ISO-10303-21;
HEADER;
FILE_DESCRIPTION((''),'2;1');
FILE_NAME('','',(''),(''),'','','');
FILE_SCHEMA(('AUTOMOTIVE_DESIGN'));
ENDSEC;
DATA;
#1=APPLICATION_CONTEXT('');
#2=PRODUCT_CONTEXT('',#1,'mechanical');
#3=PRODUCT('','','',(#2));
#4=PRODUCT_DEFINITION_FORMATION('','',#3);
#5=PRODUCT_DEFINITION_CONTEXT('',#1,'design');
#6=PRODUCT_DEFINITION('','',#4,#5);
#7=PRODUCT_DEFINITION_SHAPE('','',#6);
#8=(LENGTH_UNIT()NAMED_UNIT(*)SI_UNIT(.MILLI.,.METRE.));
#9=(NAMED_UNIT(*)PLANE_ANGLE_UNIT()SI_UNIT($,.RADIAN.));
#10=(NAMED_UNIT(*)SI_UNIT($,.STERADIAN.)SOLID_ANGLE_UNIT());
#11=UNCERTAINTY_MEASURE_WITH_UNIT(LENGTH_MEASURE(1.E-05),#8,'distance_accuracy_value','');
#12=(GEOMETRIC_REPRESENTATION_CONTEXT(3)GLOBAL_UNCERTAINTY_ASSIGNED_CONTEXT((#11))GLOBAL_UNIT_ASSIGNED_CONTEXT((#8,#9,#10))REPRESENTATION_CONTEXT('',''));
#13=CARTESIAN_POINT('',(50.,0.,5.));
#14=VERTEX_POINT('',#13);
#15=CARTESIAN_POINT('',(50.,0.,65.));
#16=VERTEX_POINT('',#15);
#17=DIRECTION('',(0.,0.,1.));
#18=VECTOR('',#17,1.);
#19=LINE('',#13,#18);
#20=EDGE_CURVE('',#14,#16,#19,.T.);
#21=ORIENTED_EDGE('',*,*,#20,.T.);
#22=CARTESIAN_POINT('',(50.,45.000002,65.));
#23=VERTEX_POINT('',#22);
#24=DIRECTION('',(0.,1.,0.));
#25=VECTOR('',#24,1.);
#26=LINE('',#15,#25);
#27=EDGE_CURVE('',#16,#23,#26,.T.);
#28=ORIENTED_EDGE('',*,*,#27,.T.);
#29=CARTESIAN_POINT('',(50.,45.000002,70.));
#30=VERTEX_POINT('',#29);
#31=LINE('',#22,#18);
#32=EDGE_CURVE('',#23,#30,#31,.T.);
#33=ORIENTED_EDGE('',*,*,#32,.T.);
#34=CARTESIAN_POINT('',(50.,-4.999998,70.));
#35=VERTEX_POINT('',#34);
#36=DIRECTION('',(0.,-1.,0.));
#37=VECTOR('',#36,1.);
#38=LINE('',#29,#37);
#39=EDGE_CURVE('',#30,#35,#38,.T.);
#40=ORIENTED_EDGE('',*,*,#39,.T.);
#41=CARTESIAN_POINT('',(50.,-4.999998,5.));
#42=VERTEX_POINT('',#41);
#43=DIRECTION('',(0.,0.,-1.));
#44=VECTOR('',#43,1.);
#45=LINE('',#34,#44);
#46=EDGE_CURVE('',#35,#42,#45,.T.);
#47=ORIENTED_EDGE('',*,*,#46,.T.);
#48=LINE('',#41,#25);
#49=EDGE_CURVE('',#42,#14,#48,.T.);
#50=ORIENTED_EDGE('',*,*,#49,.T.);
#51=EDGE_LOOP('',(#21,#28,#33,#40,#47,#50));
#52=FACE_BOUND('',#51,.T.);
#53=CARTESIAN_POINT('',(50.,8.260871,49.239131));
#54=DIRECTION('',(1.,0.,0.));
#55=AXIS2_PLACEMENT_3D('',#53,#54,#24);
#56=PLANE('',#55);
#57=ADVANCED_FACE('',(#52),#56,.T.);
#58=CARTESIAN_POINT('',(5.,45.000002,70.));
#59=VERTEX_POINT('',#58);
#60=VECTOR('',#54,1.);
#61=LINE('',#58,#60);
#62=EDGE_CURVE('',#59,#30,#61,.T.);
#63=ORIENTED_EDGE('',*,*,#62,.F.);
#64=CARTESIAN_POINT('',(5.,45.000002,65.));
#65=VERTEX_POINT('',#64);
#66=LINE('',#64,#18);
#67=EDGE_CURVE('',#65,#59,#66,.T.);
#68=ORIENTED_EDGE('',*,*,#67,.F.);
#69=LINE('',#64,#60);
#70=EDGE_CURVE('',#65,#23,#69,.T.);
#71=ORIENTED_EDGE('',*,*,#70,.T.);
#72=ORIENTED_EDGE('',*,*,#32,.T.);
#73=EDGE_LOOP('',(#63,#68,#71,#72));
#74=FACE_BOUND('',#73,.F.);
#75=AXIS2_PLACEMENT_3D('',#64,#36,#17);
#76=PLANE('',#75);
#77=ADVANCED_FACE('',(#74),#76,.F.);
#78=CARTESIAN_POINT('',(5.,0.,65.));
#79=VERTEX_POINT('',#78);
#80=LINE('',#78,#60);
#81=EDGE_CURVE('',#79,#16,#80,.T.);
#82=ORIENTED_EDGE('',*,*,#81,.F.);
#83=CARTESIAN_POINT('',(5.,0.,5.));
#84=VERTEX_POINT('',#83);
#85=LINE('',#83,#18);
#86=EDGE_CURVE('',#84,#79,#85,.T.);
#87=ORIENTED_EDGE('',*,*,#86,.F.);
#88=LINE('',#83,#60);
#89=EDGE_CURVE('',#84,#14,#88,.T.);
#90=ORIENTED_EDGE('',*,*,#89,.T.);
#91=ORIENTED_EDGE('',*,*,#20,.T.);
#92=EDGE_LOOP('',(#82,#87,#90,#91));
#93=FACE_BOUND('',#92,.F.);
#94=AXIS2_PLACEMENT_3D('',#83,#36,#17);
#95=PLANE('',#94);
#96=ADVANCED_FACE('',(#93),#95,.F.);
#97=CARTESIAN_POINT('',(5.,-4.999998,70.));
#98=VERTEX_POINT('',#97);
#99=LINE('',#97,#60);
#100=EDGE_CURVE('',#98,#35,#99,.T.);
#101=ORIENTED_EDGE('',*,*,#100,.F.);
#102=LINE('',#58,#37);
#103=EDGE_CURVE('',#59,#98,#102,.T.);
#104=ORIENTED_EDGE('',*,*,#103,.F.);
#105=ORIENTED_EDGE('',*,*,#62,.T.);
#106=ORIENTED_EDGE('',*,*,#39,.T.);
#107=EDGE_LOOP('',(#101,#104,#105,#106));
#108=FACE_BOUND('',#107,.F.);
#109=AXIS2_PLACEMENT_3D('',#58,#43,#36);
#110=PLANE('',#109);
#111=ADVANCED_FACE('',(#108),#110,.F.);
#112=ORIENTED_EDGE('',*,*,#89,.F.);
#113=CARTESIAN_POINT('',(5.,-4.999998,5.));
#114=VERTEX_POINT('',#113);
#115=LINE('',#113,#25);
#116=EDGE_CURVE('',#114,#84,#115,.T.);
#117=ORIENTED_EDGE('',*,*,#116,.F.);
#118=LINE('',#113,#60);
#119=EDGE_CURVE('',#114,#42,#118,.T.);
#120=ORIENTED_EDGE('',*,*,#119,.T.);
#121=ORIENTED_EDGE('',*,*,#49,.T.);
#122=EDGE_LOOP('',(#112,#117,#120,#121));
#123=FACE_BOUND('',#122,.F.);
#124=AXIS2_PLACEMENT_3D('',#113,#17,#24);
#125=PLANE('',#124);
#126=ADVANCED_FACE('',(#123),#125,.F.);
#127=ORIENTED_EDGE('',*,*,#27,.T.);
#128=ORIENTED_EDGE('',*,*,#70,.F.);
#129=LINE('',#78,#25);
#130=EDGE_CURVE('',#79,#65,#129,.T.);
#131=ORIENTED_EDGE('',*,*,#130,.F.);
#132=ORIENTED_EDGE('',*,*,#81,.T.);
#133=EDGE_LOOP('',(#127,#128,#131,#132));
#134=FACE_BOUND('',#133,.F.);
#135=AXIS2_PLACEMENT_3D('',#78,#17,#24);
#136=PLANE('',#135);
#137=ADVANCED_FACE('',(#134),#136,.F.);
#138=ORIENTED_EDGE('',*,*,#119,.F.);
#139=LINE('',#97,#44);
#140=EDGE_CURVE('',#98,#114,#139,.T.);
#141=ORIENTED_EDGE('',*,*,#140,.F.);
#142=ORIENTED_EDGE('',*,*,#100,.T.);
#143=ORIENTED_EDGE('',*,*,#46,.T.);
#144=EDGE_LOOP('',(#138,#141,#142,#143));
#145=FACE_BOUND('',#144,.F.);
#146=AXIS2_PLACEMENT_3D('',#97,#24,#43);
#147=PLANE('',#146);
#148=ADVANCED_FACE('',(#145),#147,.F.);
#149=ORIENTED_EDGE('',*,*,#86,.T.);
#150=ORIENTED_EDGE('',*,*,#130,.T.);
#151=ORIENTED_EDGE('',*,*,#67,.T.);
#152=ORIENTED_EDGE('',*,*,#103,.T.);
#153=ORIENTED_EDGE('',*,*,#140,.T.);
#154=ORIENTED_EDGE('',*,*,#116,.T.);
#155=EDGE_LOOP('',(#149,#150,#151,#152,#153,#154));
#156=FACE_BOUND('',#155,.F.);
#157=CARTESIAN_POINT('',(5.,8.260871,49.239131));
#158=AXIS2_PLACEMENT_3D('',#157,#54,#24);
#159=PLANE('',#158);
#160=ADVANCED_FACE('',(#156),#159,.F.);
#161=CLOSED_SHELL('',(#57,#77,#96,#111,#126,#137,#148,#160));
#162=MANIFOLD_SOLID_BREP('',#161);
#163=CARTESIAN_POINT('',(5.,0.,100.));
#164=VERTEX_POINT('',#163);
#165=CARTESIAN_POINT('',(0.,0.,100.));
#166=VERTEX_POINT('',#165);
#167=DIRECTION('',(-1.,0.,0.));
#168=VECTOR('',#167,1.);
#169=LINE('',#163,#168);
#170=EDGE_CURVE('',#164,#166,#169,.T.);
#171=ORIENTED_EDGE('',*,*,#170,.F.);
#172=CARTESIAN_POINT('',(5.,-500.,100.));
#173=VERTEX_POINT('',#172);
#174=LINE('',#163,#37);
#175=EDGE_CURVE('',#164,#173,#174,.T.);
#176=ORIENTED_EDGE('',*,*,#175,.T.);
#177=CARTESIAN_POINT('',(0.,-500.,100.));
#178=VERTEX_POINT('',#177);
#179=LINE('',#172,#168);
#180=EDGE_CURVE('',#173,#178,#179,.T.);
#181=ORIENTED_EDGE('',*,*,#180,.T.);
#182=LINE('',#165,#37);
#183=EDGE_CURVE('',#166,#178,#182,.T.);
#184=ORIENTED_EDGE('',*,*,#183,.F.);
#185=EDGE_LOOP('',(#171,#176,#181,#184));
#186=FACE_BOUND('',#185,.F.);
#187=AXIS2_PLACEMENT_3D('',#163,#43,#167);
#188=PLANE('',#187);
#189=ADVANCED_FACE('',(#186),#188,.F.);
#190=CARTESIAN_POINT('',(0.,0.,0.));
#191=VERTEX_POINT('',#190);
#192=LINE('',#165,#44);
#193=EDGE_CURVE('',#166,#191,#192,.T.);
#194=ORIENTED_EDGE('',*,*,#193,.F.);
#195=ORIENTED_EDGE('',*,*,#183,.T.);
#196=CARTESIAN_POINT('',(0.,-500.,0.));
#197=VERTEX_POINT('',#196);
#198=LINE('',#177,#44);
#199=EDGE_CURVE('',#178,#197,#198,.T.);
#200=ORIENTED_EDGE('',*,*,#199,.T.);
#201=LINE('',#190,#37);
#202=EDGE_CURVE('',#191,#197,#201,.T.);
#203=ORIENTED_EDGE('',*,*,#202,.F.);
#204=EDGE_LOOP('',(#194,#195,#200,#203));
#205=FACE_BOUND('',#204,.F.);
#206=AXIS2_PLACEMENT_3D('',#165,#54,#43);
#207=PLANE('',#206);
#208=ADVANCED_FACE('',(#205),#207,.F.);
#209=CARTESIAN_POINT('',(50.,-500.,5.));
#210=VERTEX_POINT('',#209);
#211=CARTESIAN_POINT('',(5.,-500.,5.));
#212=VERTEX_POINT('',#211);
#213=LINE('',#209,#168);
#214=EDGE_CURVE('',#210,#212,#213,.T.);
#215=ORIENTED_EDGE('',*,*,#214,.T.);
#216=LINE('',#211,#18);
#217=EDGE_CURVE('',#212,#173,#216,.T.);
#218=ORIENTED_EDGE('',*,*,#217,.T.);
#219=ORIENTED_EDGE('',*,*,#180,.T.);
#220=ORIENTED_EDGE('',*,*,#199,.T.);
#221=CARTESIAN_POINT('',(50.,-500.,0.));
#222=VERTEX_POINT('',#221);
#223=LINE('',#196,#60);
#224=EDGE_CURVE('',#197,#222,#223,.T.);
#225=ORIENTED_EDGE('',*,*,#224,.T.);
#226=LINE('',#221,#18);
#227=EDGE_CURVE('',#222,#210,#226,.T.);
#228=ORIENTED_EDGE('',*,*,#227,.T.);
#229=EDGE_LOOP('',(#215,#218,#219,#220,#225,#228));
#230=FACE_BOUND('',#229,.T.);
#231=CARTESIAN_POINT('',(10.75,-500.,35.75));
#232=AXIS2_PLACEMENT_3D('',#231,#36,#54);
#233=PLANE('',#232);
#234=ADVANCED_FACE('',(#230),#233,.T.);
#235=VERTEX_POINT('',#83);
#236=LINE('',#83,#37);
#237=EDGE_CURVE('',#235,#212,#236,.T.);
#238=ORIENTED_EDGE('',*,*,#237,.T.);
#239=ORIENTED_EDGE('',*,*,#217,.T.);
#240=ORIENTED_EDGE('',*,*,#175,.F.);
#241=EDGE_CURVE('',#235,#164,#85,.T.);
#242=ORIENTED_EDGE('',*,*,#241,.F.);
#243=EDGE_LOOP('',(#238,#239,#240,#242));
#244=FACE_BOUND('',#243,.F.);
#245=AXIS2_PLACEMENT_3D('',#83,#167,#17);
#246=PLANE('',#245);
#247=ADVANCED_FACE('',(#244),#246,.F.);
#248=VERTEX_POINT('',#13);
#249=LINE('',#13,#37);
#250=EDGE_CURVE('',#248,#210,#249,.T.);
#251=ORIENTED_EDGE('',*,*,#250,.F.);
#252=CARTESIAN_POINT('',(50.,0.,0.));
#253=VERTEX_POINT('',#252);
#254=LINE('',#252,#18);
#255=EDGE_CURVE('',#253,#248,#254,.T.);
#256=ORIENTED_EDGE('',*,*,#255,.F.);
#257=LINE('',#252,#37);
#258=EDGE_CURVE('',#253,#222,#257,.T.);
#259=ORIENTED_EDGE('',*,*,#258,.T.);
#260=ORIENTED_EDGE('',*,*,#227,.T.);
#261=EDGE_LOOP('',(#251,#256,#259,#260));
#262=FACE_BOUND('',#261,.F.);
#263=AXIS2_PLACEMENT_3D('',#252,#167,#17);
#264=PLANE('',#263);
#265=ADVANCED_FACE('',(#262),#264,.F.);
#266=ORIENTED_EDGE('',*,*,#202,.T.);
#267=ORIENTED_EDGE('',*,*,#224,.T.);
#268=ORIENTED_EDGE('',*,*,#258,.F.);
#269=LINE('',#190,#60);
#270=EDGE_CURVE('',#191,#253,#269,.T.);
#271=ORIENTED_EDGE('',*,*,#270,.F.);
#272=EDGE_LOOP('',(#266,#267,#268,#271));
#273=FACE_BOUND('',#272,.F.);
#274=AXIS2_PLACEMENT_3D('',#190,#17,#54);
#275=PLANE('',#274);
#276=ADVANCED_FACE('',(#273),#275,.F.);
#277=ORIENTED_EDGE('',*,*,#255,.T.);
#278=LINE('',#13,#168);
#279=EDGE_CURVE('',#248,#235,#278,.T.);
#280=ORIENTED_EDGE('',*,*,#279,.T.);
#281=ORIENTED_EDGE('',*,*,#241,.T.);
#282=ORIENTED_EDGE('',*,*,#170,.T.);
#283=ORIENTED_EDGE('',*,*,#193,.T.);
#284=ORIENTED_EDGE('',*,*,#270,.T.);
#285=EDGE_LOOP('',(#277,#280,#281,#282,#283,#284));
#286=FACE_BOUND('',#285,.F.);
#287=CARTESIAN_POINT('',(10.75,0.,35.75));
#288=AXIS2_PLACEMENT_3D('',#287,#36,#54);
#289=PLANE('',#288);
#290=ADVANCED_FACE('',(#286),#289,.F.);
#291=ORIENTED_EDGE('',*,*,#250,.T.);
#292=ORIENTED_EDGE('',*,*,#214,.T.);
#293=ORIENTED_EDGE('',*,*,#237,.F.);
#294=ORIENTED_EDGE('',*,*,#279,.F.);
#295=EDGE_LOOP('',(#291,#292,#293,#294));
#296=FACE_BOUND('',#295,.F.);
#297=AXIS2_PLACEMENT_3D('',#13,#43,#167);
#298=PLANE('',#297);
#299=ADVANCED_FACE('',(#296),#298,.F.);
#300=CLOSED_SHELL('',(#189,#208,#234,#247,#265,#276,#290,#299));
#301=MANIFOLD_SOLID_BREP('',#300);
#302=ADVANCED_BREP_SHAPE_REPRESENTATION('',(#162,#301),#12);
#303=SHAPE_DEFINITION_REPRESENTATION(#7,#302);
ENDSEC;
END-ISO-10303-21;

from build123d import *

# Parameters (mm, degrees)
F1_DEPTH = 500
F3_DEPTH = 45


with BuildPart() as f1:
    # F0 (on Front) → F1 (new body)
    with BuildSketch(Plane.XZ):
        Polygon((0, 100), (0, 0), (50, 0), (50, 4.9999998882), (5, 4.9999998882), (5, 100), align=None)
    extrude(amount=F1_DEPTH)


with BuildPart() as f3:
    # F2 (on Right) → F3 (new body)
    with BuildSketch(Plane.YZ):
        Polygon((-4.9999982119, 70), (-4.9999982119, 4.9999998882), (0, 4.9999998882), (0, 65), (45.0000017881, 65), (45.0000017881, 70), align=None)
    extrude(amount=F3_DEPTH)


with BuildPart() as f3_1:
    # F4: moved
    add(f3.part.moved(Location((5, 0, 0))))


solid = Compound([f1.part, f3_1.part])
